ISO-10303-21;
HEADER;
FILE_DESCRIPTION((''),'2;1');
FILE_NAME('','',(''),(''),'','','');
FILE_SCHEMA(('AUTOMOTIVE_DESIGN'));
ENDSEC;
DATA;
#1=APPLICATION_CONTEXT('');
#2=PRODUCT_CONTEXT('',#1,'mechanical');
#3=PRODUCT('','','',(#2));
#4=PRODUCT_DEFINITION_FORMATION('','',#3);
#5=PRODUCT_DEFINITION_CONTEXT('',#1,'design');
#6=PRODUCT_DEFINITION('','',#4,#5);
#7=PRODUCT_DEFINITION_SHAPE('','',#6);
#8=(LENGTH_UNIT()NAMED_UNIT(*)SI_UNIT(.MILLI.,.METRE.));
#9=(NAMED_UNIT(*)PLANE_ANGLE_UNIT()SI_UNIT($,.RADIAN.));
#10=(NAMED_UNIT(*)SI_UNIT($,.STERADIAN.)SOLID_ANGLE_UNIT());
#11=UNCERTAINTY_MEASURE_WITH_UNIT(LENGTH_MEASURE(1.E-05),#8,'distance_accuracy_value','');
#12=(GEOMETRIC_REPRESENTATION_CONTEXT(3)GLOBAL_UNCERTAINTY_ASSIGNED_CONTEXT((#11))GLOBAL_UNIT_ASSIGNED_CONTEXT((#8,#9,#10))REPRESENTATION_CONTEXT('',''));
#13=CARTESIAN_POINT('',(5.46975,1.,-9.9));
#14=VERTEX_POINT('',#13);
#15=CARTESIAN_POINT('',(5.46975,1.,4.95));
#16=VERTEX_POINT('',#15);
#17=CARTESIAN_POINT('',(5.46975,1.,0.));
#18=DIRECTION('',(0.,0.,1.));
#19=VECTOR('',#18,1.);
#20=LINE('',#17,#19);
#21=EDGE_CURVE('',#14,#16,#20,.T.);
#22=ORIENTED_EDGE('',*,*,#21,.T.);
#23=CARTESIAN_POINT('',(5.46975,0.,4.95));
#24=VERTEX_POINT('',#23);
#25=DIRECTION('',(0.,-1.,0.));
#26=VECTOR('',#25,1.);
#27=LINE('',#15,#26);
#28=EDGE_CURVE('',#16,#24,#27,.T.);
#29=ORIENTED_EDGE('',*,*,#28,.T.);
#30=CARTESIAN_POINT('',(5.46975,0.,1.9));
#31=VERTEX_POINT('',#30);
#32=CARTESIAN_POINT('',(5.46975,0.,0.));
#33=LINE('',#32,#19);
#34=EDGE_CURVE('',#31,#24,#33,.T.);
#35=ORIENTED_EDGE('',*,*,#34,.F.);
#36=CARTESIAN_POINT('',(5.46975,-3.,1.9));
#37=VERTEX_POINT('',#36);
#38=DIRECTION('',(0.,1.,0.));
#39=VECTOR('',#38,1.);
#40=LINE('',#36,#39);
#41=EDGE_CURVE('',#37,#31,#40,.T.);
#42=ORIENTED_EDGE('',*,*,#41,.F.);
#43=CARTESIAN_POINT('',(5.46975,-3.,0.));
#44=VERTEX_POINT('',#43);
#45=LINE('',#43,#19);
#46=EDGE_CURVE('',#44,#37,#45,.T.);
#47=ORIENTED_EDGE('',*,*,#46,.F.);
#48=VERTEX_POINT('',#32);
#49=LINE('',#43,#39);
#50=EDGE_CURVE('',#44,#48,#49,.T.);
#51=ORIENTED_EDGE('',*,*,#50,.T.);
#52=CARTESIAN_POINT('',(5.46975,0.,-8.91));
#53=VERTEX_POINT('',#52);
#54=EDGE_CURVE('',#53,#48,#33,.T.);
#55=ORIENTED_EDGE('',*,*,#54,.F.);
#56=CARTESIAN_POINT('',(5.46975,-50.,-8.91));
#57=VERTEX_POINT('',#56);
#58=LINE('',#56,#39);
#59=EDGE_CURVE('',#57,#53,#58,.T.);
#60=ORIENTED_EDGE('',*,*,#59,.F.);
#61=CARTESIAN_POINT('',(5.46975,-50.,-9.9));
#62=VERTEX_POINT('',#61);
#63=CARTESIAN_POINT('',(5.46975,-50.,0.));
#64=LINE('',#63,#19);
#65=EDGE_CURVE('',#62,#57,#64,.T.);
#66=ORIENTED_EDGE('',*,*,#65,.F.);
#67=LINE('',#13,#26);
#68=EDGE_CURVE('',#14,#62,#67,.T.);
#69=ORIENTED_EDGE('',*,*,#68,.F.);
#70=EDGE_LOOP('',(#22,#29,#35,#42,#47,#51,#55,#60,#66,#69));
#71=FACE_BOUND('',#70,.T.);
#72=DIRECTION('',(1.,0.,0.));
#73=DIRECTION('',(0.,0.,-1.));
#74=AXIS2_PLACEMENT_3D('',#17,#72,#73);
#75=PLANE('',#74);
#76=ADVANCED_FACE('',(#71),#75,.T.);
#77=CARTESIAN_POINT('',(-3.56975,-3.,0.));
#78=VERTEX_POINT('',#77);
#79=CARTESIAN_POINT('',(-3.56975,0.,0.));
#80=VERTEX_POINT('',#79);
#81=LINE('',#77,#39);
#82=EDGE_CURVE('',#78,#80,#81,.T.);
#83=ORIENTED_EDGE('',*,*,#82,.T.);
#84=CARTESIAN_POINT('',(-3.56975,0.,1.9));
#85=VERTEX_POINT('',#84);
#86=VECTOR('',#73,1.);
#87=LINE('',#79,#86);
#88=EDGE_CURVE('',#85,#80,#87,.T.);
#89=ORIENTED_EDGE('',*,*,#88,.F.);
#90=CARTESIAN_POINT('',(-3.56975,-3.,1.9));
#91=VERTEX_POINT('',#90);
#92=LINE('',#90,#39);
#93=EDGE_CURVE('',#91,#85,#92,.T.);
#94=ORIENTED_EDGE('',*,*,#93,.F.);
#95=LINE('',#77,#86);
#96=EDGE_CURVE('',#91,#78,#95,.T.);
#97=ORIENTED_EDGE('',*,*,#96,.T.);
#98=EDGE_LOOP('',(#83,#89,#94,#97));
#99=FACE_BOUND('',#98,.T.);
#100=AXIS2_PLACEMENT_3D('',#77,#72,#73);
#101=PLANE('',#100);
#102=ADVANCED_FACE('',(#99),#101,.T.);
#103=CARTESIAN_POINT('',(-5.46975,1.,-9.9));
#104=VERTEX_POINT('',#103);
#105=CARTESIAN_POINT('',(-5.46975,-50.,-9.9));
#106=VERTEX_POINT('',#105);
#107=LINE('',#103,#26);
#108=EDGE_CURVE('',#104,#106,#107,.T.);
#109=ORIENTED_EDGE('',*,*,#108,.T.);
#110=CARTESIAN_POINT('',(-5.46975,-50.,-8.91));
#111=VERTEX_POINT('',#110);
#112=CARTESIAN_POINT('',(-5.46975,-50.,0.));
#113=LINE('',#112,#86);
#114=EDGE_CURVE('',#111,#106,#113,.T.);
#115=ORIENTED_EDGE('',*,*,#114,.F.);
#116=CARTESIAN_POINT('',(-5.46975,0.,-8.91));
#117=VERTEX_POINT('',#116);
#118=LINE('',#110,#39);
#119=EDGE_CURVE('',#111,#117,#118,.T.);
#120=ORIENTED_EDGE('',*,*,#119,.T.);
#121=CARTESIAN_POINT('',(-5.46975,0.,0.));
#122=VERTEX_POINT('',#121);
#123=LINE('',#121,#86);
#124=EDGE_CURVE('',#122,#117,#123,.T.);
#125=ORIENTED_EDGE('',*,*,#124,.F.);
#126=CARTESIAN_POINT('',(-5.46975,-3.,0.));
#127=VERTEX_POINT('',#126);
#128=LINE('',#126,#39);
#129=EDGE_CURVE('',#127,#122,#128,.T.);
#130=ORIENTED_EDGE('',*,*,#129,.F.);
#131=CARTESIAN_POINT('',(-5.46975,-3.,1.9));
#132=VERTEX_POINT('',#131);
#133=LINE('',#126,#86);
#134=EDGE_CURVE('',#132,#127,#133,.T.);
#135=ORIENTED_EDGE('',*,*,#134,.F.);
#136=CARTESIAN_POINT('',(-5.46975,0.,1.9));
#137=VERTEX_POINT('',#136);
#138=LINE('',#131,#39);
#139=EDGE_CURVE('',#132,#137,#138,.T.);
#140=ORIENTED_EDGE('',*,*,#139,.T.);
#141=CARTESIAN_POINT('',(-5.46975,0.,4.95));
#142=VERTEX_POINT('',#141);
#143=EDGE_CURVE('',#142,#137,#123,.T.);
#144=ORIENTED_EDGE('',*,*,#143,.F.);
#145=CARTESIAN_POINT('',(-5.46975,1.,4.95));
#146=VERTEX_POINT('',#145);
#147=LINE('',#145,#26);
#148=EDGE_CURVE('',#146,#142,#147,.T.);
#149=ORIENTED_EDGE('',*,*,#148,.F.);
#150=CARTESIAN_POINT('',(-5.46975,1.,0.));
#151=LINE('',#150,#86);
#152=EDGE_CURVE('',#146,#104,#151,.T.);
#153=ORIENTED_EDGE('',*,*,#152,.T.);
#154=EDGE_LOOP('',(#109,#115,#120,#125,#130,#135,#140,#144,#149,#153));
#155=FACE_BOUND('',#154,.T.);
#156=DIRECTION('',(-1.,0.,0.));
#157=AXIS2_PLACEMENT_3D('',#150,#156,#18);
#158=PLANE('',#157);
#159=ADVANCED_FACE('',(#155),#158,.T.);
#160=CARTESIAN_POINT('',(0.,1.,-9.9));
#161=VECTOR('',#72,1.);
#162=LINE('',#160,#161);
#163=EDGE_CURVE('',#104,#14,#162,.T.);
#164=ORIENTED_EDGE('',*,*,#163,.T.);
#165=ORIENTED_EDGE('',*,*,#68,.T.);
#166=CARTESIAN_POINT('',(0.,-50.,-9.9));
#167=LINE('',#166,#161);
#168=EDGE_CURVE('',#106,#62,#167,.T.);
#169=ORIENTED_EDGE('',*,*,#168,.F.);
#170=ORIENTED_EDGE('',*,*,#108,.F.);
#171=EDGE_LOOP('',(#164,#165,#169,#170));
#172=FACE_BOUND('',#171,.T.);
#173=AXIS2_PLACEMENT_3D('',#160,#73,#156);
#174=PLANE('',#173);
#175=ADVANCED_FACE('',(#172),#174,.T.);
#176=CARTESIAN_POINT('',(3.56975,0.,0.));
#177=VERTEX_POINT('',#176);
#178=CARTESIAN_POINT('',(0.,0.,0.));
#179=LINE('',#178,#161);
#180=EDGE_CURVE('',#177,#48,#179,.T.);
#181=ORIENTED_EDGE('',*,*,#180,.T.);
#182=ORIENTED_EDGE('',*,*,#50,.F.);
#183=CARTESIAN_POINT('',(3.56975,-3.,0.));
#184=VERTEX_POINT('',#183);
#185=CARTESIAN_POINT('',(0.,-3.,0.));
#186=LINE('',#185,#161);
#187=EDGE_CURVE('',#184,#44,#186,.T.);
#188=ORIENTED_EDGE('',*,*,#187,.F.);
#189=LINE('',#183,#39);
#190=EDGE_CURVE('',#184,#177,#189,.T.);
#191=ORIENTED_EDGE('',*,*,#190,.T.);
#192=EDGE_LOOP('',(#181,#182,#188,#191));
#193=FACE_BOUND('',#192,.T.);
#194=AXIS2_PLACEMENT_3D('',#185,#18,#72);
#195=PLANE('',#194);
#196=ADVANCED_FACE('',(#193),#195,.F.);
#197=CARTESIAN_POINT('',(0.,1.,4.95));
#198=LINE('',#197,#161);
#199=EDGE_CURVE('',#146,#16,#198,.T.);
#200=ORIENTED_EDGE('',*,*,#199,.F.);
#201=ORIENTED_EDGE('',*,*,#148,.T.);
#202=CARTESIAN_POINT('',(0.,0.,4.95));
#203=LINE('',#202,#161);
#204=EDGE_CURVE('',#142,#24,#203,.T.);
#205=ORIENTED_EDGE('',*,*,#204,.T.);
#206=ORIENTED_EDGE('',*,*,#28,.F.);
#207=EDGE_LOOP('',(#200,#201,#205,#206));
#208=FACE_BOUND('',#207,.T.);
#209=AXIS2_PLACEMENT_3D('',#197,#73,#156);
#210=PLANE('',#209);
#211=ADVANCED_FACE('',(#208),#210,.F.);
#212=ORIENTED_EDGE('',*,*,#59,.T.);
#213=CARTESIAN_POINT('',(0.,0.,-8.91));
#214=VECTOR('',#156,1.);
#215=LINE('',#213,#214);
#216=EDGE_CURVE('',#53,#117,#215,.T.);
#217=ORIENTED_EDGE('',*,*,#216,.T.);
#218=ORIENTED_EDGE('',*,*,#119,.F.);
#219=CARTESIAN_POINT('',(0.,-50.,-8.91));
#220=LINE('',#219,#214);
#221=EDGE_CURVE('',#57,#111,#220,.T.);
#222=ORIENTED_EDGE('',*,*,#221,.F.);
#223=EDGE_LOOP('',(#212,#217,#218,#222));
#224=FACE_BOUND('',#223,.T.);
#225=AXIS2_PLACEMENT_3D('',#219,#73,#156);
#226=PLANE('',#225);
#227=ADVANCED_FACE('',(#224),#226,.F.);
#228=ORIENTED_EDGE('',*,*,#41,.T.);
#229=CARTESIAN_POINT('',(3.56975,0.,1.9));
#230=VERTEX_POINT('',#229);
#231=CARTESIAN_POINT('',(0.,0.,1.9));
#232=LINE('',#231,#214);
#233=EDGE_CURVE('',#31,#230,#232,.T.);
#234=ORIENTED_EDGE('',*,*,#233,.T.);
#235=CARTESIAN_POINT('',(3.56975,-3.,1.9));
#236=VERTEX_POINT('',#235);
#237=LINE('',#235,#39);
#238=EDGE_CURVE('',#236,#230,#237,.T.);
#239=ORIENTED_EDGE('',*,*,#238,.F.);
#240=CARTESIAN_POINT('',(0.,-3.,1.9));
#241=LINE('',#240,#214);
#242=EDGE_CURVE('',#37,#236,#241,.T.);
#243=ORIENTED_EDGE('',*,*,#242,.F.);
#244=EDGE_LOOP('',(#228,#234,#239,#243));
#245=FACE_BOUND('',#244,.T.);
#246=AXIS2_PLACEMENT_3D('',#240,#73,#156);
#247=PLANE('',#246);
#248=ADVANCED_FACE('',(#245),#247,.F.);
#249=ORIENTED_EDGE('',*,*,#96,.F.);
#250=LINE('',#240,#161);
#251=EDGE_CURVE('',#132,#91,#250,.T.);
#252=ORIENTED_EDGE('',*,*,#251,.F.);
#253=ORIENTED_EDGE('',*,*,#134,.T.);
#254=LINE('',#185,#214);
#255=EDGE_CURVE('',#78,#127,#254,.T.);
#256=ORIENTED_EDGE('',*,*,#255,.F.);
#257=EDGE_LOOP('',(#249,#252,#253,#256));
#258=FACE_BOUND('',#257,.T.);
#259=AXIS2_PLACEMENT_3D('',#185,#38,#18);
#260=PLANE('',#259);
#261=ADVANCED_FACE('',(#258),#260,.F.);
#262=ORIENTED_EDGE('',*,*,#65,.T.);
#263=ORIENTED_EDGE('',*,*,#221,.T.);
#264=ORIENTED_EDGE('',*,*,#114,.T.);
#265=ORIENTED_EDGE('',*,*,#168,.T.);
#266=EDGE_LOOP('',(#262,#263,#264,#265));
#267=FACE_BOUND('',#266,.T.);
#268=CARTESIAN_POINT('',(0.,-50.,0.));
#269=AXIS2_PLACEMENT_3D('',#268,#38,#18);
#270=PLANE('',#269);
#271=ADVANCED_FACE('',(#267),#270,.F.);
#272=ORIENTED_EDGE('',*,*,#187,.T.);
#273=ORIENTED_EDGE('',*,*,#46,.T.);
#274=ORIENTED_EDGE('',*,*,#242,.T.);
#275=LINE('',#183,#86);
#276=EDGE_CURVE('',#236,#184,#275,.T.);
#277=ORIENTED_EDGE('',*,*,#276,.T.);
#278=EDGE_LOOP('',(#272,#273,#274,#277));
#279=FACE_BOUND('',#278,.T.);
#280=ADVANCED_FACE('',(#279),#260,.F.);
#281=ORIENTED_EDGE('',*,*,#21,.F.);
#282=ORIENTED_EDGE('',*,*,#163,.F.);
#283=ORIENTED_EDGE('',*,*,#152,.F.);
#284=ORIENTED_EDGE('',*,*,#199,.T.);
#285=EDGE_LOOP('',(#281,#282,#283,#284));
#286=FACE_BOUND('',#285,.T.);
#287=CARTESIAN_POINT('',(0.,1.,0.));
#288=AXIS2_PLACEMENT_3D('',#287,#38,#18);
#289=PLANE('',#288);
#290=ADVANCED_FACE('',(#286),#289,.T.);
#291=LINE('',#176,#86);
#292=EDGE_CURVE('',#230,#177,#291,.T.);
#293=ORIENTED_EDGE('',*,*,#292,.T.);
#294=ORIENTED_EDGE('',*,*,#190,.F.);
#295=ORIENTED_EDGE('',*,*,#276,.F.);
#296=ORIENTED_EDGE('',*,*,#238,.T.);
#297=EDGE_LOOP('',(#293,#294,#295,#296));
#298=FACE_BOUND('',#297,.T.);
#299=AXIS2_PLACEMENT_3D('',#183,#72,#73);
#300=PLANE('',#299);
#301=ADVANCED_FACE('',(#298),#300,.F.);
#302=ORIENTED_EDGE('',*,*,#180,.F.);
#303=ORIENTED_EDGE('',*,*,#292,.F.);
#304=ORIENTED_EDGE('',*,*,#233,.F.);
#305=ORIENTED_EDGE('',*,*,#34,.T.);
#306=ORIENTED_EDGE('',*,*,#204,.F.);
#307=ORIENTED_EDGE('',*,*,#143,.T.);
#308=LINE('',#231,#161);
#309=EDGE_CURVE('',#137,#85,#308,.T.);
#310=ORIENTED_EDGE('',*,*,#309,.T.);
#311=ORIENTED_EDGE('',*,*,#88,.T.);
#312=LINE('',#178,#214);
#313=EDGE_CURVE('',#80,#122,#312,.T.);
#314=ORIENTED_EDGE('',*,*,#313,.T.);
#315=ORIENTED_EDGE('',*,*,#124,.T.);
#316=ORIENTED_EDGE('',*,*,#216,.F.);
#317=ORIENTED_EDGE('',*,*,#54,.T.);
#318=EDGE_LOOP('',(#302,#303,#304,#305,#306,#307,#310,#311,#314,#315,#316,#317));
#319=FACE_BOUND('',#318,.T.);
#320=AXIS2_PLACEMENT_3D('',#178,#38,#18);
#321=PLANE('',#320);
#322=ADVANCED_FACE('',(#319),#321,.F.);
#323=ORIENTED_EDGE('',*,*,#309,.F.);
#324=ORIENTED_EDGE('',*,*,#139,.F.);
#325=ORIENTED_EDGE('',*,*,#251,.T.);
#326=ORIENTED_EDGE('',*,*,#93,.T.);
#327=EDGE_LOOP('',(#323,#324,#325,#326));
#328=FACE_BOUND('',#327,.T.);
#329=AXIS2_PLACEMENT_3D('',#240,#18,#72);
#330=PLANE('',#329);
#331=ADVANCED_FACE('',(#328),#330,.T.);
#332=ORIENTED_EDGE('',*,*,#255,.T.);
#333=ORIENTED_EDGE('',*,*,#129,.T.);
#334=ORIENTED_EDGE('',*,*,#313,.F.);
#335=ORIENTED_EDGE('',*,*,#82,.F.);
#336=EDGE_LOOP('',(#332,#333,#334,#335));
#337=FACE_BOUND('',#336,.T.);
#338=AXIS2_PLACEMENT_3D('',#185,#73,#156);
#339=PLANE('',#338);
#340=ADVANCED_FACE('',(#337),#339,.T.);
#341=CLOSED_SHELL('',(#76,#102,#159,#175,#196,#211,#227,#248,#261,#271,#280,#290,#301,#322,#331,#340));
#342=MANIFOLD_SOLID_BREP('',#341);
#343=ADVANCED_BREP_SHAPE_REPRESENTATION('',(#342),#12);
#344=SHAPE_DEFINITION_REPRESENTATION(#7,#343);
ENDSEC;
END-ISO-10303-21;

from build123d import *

# Parameters (mm, degrees)
BOSS_EXTRUDE1_DEPTH = 1
SKETCH1_3_W         = 1.9
SKETCH1_3_H         = 1.9
BOSS_EXTRUDE2_DEPTH = 3
SKETCH1_4_W         = 10.9395
SKETCH1_4_H         = 0.99
BOSS_EXTRUDE3_DEPTH = 50


with BuildPart() as part:
    # Sketch1 → Boss-Extrude1 (new body)
    with BuildSketch(Plane(origin=(0, 0, 0), x_dir=(1, 0, 0), z_dir=(0, 1, 0))):
        Polygon((-5.46975, -4.95), (0, -4.95), (5.46975, -4.95), (5.46975, 9.9), (-5.46975, 9.9), align=None)
    extrude(amount=BOSS_EXTRUDE1_DEPTH)

    # Sketch1<3> → Boss-Extrude2 (add)
    with BuildSketch(Plane(origin=(0, 0, 0), x_dir=(1, 0, 0), z_dir=(0, 1, 0))):
        with Locations((-4.51975, -0.95)):
            Rectangle(SKETCH1_3_W, SKETCH1_3_H)
        with Locations((4.51975, -0.95)):
            Rectangle(SKETCH1_3_W, SKETCH1_3_H)
    extrude(amount=-BOSS_EXTRUDE2_DEPTH)

    # Sketch1<4> → Boss-Extrude3 (add)
    with BuildSketch(Plane(origin=(0, 0, 0), x_dir=(1, 0, 0), z_dir=(0, 1, 0))):
        with Locations((0, 9.405)):
            Rectangle(SKETCH1_4_W, SKETCH1_4_H)
    extrude(amount=-BOSS_EXTRUDE3_DEPTH)


solid = part.part
